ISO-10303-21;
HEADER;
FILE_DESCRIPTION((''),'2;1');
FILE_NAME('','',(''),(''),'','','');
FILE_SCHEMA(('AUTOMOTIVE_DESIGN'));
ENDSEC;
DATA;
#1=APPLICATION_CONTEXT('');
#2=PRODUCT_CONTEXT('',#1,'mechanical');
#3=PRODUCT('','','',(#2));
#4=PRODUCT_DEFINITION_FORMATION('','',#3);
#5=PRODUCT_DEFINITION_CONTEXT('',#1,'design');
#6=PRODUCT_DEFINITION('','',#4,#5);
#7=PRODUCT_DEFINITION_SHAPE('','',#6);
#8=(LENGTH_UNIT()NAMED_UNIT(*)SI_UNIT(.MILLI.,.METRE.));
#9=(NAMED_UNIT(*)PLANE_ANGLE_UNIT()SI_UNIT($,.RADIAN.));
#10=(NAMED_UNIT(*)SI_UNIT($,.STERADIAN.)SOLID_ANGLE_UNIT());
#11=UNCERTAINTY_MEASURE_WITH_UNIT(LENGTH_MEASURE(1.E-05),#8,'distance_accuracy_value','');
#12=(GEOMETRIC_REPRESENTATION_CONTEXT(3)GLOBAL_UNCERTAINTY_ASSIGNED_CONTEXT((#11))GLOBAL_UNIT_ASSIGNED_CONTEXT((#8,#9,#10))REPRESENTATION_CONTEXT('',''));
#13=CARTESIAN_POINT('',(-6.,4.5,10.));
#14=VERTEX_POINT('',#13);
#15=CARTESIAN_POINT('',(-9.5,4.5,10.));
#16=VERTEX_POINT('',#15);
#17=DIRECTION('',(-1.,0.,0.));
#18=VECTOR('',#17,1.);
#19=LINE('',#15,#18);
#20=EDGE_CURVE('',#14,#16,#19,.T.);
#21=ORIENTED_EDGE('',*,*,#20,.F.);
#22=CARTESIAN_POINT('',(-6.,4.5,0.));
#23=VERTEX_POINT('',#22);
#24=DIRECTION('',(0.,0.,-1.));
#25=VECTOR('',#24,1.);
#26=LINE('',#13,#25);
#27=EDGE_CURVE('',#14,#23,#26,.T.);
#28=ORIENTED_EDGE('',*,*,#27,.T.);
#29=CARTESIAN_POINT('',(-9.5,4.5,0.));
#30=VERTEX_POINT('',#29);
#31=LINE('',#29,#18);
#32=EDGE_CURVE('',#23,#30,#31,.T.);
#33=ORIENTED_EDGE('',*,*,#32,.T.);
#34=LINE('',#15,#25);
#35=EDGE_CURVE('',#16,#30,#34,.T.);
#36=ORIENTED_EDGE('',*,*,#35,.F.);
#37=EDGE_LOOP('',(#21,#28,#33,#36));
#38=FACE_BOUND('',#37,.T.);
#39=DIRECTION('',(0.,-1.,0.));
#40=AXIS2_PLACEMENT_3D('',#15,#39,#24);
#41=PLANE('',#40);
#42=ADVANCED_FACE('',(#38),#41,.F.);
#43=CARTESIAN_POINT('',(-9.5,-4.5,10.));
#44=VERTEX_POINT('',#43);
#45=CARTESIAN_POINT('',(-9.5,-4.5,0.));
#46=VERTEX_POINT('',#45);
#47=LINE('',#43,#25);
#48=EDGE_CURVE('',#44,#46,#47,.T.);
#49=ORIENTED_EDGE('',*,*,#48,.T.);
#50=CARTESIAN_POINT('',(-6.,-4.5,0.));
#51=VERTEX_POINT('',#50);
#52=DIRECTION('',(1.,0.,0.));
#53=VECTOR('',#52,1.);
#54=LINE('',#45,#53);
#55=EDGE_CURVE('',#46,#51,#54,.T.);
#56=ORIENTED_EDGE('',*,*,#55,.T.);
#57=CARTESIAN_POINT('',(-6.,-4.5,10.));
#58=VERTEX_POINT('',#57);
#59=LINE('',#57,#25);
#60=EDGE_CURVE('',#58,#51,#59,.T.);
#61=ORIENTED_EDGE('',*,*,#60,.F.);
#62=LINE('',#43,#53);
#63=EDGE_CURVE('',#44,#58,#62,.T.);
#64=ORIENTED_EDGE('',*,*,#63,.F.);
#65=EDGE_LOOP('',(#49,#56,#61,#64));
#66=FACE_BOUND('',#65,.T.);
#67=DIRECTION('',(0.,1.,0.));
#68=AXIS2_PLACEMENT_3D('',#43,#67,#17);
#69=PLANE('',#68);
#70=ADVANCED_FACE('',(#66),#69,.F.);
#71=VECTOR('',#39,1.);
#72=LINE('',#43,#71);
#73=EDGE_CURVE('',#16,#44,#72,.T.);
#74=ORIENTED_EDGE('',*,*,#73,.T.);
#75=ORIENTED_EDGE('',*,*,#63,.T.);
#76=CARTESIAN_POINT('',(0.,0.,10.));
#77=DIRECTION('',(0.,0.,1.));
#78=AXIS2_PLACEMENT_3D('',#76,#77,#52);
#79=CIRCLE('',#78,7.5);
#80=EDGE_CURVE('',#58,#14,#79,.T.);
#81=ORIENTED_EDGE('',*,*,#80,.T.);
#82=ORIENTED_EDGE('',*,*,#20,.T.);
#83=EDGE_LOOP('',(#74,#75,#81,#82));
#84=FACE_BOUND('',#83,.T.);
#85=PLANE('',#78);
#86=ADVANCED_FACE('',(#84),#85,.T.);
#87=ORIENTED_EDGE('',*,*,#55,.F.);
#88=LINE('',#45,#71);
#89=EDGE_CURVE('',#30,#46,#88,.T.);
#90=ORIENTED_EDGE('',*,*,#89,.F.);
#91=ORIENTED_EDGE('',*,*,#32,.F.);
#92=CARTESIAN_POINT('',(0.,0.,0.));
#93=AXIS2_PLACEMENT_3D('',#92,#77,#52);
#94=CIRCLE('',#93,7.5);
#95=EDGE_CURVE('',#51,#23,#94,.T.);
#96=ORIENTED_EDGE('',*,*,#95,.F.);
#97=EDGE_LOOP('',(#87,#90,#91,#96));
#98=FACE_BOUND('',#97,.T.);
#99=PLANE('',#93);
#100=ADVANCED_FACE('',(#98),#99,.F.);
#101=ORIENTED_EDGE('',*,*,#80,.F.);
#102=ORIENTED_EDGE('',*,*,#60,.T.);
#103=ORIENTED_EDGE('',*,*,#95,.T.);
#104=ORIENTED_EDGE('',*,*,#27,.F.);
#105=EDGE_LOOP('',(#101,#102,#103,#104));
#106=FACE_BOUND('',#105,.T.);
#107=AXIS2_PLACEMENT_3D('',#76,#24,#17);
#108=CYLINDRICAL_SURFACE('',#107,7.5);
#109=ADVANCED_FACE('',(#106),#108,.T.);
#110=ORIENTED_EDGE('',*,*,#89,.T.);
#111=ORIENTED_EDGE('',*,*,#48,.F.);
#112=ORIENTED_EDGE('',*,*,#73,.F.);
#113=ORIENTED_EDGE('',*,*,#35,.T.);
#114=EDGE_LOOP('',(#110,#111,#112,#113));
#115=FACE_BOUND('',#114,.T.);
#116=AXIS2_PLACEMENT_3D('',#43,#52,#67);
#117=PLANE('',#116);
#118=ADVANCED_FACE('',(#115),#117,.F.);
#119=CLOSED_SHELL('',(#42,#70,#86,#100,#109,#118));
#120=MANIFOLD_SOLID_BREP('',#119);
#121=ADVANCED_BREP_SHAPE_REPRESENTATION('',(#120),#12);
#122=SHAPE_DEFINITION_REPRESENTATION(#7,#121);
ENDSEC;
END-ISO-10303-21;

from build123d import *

# Parameters (mm, degrees)
SALIENTE_EXTRUIR1_DEPTH = 10


with BuildPart() as part:
    # Croquis1 → Saliente-Extruir1 (new body)
    with BuildSketch(Plane.XY):
        with BuildLine():
            Line((-9.5, -4.5), (-9.5, 4.5))
            Line((-9.5, 4.5), (-6, 4.5))
            ThreePointArc((-6, 4.5), (7.5, 0), (-6, -4.5))
            Line((-6, -4.5), (-9.5, -4.5))
        make_face()
    extrude(amount=SALIENTE_EXTRUIR1_DEPTH)


solid = part.part
